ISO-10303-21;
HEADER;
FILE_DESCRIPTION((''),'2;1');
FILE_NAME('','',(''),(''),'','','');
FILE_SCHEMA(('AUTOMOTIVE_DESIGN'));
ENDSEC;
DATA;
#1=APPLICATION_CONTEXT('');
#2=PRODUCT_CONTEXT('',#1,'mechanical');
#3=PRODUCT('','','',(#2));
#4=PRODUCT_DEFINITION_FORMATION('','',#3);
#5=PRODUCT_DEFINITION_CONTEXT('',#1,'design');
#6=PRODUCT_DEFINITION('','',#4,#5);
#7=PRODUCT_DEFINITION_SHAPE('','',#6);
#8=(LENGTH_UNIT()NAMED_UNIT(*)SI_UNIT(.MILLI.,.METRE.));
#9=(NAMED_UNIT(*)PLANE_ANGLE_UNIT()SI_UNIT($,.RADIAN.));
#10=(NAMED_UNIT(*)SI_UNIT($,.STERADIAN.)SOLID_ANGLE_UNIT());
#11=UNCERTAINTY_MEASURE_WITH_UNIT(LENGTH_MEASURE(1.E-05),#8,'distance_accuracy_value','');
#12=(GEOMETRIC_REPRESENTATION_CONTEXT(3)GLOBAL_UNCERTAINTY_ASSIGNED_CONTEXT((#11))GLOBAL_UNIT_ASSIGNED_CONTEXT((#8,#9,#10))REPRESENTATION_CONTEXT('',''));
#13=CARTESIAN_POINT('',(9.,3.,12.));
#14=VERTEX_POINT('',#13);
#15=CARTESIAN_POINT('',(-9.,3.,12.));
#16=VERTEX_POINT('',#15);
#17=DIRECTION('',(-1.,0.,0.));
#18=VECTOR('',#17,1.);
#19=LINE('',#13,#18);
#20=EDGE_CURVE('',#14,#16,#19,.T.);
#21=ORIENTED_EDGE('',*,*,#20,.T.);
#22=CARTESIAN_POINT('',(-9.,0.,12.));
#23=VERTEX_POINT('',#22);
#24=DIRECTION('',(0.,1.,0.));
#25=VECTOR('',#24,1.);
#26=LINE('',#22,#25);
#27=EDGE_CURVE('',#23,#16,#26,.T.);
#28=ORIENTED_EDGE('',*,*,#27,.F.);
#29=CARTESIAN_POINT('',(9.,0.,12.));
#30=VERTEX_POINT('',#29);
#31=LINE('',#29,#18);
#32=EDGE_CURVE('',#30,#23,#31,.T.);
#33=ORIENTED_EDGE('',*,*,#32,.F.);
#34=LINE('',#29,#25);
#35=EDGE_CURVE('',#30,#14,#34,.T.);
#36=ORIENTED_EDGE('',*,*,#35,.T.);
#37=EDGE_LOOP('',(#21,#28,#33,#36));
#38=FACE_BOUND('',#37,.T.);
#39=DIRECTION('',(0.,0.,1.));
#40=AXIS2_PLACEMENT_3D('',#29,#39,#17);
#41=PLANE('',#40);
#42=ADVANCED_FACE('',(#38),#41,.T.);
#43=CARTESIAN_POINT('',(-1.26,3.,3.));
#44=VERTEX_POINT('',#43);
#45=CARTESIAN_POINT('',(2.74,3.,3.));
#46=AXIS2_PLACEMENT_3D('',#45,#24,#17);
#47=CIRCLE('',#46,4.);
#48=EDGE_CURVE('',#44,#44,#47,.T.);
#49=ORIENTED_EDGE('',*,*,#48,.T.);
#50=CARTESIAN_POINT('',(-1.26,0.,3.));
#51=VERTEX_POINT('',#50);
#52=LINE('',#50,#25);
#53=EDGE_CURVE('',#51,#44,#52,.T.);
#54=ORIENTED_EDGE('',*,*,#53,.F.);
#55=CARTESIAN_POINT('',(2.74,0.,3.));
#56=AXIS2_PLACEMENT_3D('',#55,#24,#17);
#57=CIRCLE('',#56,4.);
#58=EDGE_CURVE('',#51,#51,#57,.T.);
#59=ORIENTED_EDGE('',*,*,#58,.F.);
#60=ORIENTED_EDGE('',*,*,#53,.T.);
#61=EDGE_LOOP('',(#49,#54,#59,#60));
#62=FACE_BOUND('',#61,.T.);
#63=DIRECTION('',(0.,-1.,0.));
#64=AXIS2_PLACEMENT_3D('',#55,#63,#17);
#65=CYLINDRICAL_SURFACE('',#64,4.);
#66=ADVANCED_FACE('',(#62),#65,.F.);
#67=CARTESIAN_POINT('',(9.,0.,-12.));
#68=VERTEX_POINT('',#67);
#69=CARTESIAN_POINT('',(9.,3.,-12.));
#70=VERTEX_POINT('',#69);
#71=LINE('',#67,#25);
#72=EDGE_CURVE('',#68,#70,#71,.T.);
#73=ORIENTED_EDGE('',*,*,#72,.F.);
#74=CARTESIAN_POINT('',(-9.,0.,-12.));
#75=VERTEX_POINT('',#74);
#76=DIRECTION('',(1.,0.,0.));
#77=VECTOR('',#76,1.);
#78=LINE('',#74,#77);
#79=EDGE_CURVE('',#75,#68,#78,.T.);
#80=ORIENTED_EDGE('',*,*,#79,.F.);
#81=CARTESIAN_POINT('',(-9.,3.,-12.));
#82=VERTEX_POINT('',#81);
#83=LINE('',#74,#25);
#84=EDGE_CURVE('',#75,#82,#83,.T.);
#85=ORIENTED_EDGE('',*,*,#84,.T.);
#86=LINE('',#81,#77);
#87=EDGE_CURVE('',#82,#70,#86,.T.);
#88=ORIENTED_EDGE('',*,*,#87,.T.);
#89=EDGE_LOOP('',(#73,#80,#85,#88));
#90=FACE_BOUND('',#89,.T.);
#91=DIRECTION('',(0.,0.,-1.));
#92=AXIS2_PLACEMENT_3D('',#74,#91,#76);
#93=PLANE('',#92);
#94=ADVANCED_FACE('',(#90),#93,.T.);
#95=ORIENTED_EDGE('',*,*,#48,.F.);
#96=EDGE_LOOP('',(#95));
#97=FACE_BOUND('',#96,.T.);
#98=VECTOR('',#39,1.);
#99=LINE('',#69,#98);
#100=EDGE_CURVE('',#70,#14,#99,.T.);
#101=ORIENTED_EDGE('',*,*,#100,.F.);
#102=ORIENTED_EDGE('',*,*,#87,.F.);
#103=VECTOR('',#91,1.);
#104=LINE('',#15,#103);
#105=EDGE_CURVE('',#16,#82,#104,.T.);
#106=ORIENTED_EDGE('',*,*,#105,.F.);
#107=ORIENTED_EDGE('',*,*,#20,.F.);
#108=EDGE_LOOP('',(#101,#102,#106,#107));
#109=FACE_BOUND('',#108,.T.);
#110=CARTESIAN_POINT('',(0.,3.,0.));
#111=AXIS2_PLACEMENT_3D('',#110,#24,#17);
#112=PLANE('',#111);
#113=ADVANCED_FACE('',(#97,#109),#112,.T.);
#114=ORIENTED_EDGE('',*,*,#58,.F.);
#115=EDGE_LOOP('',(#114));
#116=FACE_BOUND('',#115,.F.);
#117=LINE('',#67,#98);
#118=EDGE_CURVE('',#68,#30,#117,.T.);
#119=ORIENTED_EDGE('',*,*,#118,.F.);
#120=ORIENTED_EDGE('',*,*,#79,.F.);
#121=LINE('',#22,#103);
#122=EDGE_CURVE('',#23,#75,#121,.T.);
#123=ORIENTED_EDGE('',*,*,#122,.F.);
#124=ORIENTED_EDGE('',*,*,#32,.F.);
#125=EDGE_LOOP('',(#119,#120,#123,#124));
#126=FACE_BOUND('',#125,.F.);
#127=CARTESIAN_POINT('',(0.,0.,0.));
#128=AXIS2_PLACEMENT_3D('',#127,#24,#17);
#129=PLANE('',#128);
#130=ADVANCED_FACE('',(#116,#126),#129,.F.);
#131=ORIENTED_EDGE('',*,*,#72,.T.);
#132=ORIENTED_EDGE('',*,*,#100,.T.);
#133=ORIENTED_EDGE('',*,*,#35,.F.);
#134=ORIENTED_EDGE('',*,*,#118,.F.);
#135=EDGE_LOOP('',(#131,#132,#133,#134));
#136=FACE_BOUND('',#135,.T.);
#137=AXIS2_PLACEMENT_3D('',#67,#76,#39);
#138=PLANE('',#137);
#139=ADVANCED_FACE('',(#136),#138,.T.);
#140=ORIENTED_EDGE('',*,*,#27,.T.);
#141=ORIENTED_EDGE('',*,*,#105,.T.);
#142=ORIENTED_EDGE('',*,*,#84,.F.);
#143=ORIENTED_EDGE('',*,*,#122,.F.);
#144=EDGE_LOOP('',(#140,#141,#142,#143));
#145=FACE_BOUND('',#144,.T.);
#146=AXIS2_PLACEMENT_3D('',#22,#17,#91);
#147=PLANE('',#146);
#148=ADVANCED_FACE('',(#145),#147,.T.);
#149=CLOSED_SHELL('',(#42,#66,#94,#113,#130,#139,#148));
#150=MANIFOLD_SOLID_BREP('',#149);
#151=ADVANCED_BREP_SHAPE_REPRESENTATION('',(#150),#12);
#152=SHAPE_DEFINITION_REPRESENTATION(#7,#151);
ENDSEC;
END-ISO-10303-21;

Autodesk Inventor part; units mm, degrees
ref_plane "YZ Plane" through (0, 0, 0) normal (1, 0, 0) x (0, 1, 0)
ref_plane "XZ Plane" through (0, 0, 0) normal (0, 1, 0) x (-1, 0, 0)
ref_plane "XY Plane" through (0, 0, 0) normal (0, 0, 1) x (1, 0, 0)
sketch "Sketch1" plane through (0, 0, 0) normal (0, 1, 0) x (-1, 0, 0)
  line L0 (-9, 12) -> (9, 12)
  line L1 (9, 12) -> (9, -12)
  line L2 (9, -12) -> (-9, -12)
  line L3 (-9, -12) -> (-9, 12)
  line L4 (-9, 12) -> (9, -12) construction
  line L5 (9, 12) -> (-9, -12) construction
  circle A0 centre (-2.74, 3) radius 4
  point P0 (0, 0)
  dimension "d0" = 18
  dimension "d1" = 24
  dimension "d2" = 8
  dimension "d3" = 9
  dimension "d9" = 6.26
extrude "Extrusion1" add sketch "Sketch1" along normal blind 3
properties part number "rapoukLegBasev3" material "EN AW-6060 T6"
